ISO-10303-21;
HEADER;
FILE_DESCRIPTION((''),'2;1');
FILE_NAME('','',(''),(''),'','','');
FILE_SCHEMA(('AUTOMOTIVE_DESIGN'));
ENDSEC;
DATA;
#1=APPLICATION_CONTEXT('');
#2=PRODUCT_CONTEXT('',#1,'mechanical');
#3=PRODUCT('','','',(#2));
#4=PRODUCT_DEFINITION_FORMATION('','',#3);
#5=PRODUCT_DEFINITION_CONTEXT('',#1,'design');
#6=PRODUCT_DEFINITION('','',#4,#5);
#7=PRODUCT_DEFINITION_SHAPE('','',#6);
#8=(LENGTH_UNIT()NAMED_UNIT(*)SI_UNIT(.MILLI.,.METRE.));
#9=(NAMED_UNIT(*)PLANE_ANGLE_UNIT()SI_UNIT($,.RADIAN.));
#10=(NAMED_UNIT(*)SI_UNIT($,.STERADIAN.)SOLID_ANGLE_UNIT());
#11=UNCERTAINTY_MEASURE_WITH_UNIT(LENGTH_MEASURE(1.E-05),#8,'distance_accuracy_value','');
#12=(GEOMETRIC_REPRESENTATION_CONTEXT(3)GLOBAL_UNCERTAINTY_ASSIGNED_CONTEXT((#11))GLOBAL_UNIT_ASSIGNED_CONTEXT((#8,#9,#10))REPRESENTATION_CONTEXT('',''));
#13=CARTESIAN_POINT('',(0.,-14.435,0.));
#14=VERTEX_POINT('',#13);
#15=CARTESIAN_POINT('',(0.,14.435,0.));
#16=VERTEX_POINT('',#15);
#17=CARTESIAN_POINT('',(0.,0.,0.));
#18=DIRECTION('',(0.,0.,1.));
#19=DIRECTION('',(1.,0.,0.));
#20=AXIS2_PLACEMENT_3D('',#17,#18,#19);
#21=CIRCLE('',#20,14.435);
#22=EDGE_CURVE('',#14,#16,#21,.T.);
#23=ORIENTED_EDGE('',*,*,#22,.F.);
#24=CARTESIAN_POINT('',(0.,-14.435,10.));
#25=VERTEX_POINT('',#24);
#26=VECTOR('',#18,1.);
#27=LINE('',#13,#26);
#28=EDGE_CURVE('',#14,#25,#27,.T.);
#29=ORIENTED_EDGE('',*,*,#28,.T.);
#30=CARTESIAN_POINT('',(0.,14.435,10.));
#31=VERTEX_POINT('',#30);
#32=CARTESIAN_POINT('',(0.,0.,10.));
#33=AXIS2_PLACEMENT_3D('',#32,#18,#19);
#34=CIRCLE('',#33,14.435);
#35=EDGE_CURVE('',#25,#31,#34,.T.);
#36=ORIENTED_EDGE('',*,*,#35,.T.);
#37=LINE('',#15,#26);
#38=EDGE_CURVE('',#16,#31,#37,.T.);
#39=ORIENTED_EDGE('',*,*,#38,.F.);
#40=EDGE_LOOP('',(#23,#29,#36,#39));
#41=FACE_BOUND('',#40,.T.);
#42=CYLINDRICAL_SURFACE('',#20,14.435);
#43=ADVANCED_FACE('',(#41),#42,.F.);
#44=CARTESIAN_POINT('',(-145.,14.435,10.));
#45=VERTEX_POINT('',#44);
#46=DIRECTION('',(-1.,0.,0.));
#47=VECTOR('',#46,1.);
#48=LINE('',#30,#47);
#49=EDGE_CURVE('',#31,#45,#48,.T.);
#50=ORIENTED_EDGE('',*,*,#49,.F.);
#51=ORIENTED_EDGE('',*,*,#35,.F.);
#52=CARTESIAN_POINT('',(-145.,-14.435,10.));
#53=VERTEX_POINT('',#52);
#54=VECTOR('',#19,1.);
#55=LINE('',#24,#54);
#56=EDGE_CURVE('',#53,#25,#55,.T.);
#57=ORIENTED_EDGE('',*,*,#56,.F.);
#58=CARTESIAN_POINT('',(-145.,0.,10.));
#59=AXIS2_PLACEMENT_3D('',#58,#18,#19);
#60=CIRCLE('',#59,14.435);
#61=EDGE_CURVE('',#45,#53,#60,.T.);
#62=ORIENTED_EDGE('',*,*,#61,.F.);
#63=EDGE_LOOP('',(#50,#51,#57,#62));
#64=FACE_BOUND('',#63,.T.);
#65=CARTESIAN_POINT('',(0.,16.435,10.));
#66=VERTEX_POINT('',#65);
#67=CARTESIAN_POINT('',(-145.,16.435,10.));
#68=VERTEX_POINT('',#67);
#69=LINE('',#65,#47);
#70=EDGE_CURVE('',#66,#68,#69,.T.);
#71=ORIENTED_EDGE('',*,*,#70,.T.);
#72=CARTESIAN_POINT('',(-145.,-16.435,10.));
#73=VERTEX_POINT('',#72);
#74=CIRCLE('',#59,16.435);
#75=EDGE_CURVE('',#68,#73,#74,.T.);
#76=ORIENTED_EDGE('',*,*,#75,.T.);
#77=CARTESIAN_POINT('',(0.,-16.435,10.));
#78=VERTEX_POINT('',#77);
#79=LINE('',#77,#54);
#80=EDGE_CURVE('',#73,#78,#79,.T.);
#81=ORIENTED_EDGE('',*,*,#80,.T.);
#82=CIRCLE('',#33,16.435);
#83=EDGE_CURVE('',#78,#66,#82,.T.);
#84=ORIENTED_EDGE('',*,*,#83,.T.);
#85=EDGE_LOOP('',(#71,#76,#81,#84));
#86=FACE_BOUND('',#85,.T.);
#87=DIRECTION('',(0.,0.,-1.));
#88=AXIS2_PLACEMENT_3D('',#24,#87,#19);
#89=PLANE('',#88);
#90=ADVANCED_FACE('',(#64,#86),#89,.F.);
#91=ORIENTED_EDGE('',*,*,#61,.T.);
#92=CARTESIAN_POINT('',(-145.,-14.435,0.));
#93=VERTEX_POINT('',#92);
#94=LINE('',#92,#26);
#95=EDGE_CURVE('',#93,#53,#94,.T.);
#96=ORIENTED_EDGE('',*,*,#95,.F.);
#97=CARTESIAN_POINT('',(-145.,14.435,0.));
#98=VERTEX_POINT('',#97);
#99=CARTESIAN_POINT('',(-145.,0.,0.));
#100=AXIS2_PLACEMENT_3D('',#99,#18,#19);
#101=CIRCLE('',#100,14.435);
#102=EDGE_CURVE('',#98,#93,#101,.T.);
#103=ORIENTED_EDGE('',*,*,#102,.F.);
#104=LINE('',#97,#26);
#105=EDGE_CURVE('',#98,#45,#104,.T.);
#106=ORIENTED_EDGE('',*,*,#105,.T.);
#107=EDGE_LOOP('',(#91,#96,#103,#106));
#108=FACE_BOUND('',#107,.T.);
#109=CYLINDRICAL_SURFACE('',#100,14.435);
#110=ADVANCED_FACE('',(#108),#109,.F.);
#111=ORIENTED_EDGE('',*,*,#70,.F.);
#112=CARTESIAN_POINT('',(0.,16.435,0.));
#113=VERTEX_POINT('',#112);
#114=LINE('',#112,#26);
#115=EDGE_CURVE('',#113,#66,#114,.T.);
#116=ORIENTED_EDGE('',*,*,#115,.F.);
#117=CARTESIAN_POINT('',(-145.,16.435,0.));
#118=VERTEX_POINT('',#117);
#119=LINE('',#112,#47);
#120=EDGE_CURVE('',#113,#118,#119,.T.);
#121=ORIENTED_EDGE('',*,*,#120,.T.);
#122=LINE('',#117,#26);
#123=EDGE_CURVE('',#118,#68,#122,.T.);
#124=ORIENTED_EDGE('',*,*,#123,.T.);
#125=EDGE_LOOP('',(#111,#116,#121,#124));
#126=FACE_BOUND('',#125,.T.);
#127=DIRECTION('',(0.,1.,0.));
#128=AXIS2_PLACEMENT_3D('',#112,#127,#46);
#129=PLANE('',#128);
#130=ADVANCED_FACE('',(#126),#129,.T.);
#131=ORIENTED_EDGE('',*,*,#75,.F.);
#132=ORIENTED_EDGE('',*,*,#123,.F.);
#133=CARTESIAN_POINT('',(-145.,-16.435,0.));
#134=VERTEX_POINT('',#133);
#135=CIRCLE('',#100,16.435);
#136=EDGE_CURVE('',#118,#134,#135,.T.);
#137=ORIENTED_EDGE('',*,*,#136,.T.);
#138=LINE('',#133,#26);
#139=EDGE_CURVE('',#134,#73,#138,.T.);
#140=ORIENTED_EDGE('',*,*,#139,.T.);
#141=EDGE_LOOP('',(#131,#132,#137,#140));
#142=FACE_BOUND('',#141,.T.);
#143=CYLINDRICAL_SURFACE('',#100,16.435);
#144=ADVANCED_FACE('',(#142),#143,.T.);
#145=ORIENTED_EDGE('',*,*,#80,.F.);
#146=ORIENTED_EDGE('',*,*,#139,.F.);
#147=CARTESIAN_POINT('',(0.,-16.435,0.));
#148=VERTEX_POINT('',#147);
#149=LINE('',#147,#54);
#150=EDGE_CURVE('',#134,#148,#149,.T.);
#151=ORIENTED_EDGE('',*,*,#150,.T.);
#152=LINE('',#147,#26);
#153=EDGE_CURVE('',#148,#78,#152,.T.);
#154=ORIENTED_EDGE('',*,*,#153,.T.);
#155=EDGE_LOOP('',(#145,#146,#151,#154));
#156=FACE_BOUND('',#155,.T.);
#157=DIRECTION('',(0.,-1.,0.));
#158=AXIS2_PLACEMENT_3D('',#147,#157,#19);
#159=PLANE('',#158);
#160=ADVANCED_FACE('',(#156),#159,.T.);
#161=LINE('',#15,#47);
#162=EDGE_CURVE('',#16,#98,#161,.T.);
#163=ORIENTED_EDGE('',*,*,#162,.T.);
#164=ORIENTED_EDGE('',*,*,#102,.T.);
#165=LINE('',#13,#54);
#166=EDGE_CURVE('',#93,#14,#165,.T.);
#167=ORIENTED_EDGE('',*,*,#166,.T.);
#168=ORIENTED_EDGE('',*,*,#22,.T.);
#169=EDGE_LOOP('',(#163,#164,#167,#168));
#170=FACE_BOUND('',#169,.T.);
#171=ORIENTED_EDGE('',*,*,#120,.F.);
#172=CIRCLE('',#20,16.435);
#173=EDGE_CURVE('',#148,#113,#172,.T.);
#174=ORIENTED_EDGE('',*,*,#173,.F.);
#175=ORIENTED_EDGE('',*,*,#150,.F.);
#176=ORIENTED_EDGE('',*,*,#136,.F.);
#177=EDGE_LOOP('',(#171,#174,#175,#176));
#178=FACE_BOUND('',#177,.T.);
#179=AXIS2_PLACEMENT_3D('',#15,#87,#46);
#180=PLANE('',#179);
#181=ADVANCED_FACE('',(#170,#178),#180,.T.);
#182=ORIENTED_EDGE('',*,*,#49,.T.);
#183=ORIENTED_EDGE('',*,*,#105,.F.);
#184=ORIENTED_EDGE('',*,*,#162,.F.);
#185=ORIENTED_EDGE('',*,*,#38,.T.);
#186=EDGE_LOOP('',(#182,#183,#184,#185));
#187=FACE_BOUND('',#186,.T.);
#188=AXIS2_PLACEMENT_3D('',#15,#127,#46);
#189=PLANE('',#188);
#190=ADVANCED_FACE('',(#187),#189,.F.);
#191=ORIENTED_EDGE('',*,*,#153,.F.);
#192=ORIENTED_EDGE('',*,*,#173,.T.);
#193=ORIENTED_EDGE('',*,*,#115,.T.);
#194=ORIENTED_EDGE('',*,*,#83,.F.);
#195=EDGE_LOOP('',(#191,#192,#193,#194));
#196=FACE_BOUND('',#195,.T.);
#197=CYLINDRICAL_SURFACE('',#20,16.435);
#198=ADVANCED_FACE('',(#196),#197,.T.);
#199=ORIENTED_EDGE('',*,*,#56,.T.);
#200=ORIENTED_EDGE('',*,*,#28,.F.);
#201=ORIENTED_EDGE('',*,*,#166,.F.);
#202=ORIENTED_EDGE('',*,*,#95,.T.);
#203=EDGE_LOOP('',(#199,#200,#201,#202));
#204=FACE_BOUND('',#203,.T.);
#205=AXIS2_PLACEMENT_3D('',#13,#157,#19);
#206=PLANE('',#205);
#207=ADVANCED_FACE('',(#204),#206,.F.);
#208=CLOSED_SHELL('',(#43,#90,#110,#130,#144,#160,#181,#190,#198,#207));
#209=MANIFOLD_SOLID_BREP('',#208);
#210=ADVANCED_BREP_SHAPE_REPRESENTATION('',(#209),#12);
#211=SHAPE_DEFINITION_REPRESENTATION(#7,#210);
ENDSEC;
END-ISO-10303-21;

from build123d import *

# Parameters (mm, degrees)
SHEET_EXTRUDE_1_1_DEPTH = 10
THICKEN_1_T1            = 2


with BuildPart() as body_1:
    # Sheet Extrude 1: a surface, the sketch's curves swept straight by 10 mm
    with BuildLine(Plane.XY, mode=Mode.PRIVATE) as sheet_extrude_1_1_path:
        Line((0, -14.435), (-145, -14.435))
        ThreePointArc((-145, -14.435), (-159.435, 0), (-145, 14.435))
        Line((-145, 14.435), (0, 14.435))
        ThreePointArc((0, 14.435), (14.435, 0), (0, -14.435))
    sheet_extrude_1_1 = Shell.extrude(sheet_extrude_1_1_path.wire(), (0 * SHEET_EXTRUDE_1_1_DEPTH, 0 * SHEET_EXTRUDE_1_1_DEPTH, 1 * SHEET_EXTRUDE_1_1_DEPTH))
    add(Solid.thicken(sheet_extrude_1_1, THICKEN_1_T1))


solid = body_1.part
